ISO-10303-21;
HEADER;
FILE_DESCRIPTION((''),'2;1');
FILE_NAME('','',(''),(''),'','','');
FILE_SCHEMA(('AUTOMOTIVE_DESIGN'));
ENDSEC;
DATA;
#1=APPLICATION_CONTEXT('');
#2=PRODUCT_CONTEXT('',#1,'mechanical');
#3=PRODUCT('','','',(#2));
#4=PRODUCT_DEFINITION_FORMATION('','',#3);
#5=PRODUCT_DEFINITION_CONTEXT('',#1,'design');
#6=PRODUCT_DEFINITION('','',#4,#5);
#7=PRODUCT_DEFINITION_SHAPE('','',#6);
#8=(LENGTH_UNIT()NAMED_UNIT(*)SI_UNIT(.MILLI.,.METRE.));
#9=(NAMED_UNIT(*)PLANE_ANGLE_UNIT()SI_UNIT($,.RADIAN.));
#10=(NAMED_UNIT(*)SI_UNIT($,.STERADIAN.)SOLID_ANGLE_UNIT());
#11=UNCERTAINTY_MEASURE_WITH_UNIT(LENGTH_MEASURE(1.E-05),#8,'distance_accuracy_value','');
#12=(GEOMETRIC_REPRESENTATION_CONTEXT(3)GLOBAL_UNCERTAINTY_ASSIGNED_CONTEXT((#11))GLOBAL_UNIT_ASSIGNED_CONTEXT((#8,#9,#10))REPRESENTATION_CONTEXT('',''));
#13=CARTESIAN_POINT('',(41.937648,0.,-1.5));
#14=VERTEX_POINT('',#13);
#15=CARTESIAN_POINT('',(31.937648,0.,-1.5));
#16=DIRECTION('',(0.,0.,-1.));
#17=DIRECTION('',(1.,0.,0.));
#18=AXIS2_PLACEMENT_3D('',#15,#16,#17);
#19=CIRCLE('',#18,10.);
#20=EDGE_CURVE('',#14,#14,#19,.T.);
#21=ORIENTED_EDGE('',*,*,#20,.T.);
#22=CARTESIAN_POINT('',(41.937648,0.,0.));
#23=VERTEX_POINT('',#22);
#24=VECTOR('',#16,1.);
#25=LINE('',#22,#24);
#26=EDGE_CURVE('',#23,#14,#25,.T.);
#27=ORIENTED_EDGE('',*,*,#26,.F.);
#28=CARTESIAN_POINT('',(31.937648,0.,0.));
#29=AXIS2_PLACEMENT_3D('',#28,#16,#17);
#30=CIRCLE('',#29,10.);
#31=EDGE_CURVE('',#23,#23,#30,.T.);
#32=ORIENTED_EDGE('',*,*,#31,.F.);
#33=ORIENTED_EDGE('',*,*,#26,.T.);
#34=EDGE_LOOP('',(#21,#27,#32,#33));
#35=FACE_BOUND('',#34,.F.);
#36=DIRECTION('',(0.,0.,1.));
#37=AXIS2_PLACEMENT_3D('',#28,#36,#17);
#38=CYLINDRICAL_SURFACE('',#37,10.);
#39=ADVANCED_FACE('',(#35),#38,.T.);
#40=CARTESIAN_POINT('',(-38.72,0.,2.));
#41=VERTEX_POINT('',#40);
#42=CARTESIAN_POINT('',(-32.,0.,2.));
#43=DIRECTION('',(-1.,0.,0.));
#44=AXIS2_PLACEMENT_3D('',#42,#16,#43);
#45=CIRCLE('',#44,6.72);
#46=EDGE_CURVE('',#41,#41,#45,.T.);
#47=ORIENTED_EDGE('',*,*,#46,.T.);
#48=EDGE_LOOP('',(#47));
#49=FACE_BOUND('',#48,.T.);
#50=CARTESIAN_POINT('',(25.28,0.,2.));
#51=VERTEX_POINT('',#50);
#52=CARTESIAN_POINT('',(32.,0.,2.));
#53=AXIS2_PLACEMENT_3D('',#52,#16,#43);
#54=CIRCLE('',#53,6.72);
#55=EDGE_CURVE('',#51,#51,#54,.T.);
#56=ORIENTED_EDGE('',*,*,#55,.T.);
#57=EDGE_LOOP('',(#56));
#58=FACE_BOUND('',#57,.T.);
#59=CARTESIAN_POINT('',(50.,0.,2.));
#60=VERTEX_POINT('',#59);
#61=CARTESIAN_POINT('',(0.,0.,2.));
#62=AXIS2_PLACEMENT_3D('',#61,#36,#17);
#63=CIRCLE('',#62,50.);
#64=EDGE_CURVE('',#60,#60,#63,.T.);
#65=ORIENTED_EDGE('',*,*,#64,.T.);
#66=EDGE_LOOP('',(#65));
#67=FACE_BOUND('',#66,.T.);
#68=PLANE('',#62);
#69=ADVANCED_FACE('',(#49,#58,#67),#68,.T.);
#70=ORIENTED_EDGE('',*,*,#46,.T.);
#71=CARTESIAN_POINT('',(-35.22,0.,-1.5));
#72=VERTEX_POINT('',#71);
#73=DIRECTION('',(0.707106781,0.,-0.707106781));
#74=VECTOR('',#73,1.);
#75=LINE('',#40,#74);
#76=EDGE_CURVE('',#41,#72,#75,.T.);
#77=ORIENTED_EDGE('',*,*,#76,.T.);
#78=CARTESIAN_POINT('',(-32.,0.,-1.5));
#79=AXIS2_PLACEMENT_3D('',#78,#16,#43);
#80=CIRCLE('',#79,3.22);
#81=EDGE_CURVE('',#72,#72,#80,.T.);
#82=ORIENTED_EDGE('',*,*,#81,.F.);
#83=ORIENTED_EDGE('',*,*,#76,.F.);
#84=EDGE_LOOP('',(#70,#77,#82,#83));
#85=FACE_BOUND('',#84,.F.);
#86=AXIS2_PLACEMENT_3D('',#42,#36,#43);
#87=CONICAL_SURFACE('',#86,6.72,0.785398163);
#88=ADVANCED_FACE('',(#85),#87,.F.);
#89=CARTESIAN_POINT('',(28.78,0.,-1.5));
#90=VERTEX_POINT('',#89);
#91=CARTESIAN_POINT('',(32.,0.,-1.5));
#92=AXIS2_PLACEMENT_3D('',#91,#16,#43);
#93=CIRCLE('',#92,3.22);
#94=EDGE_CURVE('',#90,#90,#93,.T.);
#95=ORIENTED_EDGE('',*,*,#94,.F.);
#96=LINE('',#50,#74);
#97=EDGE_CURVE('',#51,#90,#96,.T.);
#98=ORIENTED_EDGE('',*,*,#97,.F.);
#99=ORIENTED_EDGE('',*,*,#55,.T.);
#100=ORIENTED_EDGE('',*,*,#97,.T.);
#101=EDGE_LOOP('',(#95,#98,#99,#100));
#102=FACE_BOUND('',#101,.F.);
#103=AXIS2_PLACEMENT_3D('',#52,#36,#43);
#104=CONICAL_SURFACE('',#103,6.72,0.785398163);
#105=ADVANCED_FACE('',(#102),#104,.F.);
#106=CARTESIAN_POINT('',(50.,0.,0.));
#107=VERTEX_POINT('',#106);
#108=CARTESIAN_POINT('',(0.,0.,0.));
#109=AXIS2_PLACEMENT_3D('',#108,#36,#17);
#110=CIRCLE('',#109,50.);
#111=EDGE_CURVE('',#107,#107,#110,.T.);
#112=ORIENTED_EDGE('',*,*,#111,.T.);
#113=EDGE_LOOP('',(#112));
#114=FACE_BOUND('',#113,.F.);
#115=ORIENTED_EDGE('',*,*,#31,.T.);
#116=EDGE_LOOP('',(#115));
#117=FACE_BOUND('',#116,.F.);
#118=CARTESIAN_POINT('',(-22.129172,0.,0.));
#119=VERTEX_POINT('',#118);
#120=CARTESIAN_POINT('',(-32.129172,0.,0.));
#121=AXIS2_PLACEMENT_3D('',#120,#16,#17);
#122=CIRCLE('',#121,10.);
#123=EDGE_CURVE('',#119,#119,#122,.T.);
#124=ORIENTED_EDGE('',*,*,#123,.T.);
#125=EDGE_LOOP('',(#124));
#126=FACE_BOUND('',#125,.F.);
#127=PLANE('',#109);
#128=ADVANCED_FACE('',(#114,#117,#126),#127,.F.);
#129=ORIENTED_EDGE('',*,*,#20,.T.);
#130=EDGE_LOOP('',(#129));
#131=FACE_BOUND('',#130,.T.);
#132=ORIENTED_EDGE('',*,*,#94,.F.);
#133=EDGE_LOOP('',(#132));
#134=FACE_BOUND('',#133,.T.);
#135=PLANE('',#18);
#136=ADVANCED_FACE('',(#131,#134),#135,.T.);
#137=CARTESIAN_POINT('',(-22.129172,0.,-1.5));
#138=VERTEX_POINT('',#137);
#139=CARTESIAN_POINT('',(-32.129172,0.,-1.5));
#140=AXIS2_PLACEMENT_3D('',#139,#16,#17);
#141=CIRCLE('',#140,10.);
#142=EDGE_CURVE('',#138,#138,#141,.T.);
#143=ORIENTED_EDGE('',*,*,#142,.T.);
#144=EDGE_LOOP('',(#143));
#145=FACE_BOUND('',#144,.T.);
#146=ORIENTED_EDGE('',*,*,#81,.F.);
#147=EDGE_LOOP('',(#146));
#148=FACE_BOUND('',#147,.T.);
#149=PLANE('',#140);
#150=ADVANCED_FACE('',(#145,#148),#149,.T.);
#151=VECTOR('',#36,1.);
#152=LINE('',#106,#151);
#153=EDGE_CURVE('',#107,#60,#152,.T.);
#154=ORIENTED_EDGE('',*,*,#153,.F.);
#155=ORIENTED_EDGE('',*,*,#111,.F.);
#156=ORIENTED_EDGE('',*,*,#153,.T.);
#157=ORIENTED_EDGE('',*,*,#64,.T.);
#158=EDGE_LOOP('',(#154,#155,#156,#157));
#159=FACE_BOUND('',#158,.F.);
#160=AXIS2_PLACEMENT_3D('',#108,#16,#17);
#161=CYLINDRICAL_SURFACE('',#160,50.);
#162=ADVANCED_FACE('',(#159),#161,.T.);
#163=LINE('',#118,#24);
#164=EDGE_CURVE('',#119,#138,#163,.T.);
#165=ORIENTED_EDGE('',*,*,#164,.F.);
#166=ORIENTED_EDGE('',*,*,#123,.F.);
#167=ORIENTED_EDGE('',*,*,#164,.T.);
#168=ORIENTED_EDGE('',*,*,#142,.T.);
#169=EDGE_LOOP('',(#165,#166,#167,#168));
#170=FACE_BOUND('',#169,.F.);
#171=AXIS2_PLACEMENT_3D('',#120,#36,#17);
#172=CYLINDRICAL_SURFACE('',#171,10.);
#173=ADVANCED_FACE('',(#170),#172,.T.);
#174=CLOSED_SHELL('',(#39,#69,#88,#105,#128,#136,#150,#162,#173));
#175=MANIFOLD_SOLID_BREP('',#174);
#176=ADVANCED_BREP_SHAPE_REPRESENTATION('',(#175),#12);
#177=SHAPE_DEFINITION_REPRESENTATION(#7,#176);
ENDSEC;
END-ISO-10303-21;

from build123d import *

# Parameters (mm, degrees)
F0_R           = 50
F1_DEPTH       = 2
F3_R           = 10
F4_DEPTH       = 1.5
F5_D           = 6.4
F5_CSINK_D     = 13.44
F5_CSINK_ANGLE = 90


with BuildPart() as f1:
    # F0 (on Top) → F1 (new body)
    with BuildSketch(Plane.XY):
        Circle(F0_R)
    extrude(amount=F1_DEPTH)

    # F3 (on face) → F4 (join)
    with BuildSketch(Plane(origin=(0, 0, 0), x_dir=(1, 0, 0), z_dir=(0, 0, -1))):
        with Locations((31.9376476109, 0)):
            Circle(F3_R)
        with Locations((-32.1291722357, 0)):
            Circle(F3_R)
    extrude(amount=F4_DEPTH)

    # F5 (through all)
    with Locations(Plane.XY.offset(2)):
        with Locations((-32, 0), (32, 0)):
            CounterSinkHole(F5_D / 2, F5_CSINK_D / 2, counter_sink_angle=F5_CSINK_ANGLE)


solid = f1.part
